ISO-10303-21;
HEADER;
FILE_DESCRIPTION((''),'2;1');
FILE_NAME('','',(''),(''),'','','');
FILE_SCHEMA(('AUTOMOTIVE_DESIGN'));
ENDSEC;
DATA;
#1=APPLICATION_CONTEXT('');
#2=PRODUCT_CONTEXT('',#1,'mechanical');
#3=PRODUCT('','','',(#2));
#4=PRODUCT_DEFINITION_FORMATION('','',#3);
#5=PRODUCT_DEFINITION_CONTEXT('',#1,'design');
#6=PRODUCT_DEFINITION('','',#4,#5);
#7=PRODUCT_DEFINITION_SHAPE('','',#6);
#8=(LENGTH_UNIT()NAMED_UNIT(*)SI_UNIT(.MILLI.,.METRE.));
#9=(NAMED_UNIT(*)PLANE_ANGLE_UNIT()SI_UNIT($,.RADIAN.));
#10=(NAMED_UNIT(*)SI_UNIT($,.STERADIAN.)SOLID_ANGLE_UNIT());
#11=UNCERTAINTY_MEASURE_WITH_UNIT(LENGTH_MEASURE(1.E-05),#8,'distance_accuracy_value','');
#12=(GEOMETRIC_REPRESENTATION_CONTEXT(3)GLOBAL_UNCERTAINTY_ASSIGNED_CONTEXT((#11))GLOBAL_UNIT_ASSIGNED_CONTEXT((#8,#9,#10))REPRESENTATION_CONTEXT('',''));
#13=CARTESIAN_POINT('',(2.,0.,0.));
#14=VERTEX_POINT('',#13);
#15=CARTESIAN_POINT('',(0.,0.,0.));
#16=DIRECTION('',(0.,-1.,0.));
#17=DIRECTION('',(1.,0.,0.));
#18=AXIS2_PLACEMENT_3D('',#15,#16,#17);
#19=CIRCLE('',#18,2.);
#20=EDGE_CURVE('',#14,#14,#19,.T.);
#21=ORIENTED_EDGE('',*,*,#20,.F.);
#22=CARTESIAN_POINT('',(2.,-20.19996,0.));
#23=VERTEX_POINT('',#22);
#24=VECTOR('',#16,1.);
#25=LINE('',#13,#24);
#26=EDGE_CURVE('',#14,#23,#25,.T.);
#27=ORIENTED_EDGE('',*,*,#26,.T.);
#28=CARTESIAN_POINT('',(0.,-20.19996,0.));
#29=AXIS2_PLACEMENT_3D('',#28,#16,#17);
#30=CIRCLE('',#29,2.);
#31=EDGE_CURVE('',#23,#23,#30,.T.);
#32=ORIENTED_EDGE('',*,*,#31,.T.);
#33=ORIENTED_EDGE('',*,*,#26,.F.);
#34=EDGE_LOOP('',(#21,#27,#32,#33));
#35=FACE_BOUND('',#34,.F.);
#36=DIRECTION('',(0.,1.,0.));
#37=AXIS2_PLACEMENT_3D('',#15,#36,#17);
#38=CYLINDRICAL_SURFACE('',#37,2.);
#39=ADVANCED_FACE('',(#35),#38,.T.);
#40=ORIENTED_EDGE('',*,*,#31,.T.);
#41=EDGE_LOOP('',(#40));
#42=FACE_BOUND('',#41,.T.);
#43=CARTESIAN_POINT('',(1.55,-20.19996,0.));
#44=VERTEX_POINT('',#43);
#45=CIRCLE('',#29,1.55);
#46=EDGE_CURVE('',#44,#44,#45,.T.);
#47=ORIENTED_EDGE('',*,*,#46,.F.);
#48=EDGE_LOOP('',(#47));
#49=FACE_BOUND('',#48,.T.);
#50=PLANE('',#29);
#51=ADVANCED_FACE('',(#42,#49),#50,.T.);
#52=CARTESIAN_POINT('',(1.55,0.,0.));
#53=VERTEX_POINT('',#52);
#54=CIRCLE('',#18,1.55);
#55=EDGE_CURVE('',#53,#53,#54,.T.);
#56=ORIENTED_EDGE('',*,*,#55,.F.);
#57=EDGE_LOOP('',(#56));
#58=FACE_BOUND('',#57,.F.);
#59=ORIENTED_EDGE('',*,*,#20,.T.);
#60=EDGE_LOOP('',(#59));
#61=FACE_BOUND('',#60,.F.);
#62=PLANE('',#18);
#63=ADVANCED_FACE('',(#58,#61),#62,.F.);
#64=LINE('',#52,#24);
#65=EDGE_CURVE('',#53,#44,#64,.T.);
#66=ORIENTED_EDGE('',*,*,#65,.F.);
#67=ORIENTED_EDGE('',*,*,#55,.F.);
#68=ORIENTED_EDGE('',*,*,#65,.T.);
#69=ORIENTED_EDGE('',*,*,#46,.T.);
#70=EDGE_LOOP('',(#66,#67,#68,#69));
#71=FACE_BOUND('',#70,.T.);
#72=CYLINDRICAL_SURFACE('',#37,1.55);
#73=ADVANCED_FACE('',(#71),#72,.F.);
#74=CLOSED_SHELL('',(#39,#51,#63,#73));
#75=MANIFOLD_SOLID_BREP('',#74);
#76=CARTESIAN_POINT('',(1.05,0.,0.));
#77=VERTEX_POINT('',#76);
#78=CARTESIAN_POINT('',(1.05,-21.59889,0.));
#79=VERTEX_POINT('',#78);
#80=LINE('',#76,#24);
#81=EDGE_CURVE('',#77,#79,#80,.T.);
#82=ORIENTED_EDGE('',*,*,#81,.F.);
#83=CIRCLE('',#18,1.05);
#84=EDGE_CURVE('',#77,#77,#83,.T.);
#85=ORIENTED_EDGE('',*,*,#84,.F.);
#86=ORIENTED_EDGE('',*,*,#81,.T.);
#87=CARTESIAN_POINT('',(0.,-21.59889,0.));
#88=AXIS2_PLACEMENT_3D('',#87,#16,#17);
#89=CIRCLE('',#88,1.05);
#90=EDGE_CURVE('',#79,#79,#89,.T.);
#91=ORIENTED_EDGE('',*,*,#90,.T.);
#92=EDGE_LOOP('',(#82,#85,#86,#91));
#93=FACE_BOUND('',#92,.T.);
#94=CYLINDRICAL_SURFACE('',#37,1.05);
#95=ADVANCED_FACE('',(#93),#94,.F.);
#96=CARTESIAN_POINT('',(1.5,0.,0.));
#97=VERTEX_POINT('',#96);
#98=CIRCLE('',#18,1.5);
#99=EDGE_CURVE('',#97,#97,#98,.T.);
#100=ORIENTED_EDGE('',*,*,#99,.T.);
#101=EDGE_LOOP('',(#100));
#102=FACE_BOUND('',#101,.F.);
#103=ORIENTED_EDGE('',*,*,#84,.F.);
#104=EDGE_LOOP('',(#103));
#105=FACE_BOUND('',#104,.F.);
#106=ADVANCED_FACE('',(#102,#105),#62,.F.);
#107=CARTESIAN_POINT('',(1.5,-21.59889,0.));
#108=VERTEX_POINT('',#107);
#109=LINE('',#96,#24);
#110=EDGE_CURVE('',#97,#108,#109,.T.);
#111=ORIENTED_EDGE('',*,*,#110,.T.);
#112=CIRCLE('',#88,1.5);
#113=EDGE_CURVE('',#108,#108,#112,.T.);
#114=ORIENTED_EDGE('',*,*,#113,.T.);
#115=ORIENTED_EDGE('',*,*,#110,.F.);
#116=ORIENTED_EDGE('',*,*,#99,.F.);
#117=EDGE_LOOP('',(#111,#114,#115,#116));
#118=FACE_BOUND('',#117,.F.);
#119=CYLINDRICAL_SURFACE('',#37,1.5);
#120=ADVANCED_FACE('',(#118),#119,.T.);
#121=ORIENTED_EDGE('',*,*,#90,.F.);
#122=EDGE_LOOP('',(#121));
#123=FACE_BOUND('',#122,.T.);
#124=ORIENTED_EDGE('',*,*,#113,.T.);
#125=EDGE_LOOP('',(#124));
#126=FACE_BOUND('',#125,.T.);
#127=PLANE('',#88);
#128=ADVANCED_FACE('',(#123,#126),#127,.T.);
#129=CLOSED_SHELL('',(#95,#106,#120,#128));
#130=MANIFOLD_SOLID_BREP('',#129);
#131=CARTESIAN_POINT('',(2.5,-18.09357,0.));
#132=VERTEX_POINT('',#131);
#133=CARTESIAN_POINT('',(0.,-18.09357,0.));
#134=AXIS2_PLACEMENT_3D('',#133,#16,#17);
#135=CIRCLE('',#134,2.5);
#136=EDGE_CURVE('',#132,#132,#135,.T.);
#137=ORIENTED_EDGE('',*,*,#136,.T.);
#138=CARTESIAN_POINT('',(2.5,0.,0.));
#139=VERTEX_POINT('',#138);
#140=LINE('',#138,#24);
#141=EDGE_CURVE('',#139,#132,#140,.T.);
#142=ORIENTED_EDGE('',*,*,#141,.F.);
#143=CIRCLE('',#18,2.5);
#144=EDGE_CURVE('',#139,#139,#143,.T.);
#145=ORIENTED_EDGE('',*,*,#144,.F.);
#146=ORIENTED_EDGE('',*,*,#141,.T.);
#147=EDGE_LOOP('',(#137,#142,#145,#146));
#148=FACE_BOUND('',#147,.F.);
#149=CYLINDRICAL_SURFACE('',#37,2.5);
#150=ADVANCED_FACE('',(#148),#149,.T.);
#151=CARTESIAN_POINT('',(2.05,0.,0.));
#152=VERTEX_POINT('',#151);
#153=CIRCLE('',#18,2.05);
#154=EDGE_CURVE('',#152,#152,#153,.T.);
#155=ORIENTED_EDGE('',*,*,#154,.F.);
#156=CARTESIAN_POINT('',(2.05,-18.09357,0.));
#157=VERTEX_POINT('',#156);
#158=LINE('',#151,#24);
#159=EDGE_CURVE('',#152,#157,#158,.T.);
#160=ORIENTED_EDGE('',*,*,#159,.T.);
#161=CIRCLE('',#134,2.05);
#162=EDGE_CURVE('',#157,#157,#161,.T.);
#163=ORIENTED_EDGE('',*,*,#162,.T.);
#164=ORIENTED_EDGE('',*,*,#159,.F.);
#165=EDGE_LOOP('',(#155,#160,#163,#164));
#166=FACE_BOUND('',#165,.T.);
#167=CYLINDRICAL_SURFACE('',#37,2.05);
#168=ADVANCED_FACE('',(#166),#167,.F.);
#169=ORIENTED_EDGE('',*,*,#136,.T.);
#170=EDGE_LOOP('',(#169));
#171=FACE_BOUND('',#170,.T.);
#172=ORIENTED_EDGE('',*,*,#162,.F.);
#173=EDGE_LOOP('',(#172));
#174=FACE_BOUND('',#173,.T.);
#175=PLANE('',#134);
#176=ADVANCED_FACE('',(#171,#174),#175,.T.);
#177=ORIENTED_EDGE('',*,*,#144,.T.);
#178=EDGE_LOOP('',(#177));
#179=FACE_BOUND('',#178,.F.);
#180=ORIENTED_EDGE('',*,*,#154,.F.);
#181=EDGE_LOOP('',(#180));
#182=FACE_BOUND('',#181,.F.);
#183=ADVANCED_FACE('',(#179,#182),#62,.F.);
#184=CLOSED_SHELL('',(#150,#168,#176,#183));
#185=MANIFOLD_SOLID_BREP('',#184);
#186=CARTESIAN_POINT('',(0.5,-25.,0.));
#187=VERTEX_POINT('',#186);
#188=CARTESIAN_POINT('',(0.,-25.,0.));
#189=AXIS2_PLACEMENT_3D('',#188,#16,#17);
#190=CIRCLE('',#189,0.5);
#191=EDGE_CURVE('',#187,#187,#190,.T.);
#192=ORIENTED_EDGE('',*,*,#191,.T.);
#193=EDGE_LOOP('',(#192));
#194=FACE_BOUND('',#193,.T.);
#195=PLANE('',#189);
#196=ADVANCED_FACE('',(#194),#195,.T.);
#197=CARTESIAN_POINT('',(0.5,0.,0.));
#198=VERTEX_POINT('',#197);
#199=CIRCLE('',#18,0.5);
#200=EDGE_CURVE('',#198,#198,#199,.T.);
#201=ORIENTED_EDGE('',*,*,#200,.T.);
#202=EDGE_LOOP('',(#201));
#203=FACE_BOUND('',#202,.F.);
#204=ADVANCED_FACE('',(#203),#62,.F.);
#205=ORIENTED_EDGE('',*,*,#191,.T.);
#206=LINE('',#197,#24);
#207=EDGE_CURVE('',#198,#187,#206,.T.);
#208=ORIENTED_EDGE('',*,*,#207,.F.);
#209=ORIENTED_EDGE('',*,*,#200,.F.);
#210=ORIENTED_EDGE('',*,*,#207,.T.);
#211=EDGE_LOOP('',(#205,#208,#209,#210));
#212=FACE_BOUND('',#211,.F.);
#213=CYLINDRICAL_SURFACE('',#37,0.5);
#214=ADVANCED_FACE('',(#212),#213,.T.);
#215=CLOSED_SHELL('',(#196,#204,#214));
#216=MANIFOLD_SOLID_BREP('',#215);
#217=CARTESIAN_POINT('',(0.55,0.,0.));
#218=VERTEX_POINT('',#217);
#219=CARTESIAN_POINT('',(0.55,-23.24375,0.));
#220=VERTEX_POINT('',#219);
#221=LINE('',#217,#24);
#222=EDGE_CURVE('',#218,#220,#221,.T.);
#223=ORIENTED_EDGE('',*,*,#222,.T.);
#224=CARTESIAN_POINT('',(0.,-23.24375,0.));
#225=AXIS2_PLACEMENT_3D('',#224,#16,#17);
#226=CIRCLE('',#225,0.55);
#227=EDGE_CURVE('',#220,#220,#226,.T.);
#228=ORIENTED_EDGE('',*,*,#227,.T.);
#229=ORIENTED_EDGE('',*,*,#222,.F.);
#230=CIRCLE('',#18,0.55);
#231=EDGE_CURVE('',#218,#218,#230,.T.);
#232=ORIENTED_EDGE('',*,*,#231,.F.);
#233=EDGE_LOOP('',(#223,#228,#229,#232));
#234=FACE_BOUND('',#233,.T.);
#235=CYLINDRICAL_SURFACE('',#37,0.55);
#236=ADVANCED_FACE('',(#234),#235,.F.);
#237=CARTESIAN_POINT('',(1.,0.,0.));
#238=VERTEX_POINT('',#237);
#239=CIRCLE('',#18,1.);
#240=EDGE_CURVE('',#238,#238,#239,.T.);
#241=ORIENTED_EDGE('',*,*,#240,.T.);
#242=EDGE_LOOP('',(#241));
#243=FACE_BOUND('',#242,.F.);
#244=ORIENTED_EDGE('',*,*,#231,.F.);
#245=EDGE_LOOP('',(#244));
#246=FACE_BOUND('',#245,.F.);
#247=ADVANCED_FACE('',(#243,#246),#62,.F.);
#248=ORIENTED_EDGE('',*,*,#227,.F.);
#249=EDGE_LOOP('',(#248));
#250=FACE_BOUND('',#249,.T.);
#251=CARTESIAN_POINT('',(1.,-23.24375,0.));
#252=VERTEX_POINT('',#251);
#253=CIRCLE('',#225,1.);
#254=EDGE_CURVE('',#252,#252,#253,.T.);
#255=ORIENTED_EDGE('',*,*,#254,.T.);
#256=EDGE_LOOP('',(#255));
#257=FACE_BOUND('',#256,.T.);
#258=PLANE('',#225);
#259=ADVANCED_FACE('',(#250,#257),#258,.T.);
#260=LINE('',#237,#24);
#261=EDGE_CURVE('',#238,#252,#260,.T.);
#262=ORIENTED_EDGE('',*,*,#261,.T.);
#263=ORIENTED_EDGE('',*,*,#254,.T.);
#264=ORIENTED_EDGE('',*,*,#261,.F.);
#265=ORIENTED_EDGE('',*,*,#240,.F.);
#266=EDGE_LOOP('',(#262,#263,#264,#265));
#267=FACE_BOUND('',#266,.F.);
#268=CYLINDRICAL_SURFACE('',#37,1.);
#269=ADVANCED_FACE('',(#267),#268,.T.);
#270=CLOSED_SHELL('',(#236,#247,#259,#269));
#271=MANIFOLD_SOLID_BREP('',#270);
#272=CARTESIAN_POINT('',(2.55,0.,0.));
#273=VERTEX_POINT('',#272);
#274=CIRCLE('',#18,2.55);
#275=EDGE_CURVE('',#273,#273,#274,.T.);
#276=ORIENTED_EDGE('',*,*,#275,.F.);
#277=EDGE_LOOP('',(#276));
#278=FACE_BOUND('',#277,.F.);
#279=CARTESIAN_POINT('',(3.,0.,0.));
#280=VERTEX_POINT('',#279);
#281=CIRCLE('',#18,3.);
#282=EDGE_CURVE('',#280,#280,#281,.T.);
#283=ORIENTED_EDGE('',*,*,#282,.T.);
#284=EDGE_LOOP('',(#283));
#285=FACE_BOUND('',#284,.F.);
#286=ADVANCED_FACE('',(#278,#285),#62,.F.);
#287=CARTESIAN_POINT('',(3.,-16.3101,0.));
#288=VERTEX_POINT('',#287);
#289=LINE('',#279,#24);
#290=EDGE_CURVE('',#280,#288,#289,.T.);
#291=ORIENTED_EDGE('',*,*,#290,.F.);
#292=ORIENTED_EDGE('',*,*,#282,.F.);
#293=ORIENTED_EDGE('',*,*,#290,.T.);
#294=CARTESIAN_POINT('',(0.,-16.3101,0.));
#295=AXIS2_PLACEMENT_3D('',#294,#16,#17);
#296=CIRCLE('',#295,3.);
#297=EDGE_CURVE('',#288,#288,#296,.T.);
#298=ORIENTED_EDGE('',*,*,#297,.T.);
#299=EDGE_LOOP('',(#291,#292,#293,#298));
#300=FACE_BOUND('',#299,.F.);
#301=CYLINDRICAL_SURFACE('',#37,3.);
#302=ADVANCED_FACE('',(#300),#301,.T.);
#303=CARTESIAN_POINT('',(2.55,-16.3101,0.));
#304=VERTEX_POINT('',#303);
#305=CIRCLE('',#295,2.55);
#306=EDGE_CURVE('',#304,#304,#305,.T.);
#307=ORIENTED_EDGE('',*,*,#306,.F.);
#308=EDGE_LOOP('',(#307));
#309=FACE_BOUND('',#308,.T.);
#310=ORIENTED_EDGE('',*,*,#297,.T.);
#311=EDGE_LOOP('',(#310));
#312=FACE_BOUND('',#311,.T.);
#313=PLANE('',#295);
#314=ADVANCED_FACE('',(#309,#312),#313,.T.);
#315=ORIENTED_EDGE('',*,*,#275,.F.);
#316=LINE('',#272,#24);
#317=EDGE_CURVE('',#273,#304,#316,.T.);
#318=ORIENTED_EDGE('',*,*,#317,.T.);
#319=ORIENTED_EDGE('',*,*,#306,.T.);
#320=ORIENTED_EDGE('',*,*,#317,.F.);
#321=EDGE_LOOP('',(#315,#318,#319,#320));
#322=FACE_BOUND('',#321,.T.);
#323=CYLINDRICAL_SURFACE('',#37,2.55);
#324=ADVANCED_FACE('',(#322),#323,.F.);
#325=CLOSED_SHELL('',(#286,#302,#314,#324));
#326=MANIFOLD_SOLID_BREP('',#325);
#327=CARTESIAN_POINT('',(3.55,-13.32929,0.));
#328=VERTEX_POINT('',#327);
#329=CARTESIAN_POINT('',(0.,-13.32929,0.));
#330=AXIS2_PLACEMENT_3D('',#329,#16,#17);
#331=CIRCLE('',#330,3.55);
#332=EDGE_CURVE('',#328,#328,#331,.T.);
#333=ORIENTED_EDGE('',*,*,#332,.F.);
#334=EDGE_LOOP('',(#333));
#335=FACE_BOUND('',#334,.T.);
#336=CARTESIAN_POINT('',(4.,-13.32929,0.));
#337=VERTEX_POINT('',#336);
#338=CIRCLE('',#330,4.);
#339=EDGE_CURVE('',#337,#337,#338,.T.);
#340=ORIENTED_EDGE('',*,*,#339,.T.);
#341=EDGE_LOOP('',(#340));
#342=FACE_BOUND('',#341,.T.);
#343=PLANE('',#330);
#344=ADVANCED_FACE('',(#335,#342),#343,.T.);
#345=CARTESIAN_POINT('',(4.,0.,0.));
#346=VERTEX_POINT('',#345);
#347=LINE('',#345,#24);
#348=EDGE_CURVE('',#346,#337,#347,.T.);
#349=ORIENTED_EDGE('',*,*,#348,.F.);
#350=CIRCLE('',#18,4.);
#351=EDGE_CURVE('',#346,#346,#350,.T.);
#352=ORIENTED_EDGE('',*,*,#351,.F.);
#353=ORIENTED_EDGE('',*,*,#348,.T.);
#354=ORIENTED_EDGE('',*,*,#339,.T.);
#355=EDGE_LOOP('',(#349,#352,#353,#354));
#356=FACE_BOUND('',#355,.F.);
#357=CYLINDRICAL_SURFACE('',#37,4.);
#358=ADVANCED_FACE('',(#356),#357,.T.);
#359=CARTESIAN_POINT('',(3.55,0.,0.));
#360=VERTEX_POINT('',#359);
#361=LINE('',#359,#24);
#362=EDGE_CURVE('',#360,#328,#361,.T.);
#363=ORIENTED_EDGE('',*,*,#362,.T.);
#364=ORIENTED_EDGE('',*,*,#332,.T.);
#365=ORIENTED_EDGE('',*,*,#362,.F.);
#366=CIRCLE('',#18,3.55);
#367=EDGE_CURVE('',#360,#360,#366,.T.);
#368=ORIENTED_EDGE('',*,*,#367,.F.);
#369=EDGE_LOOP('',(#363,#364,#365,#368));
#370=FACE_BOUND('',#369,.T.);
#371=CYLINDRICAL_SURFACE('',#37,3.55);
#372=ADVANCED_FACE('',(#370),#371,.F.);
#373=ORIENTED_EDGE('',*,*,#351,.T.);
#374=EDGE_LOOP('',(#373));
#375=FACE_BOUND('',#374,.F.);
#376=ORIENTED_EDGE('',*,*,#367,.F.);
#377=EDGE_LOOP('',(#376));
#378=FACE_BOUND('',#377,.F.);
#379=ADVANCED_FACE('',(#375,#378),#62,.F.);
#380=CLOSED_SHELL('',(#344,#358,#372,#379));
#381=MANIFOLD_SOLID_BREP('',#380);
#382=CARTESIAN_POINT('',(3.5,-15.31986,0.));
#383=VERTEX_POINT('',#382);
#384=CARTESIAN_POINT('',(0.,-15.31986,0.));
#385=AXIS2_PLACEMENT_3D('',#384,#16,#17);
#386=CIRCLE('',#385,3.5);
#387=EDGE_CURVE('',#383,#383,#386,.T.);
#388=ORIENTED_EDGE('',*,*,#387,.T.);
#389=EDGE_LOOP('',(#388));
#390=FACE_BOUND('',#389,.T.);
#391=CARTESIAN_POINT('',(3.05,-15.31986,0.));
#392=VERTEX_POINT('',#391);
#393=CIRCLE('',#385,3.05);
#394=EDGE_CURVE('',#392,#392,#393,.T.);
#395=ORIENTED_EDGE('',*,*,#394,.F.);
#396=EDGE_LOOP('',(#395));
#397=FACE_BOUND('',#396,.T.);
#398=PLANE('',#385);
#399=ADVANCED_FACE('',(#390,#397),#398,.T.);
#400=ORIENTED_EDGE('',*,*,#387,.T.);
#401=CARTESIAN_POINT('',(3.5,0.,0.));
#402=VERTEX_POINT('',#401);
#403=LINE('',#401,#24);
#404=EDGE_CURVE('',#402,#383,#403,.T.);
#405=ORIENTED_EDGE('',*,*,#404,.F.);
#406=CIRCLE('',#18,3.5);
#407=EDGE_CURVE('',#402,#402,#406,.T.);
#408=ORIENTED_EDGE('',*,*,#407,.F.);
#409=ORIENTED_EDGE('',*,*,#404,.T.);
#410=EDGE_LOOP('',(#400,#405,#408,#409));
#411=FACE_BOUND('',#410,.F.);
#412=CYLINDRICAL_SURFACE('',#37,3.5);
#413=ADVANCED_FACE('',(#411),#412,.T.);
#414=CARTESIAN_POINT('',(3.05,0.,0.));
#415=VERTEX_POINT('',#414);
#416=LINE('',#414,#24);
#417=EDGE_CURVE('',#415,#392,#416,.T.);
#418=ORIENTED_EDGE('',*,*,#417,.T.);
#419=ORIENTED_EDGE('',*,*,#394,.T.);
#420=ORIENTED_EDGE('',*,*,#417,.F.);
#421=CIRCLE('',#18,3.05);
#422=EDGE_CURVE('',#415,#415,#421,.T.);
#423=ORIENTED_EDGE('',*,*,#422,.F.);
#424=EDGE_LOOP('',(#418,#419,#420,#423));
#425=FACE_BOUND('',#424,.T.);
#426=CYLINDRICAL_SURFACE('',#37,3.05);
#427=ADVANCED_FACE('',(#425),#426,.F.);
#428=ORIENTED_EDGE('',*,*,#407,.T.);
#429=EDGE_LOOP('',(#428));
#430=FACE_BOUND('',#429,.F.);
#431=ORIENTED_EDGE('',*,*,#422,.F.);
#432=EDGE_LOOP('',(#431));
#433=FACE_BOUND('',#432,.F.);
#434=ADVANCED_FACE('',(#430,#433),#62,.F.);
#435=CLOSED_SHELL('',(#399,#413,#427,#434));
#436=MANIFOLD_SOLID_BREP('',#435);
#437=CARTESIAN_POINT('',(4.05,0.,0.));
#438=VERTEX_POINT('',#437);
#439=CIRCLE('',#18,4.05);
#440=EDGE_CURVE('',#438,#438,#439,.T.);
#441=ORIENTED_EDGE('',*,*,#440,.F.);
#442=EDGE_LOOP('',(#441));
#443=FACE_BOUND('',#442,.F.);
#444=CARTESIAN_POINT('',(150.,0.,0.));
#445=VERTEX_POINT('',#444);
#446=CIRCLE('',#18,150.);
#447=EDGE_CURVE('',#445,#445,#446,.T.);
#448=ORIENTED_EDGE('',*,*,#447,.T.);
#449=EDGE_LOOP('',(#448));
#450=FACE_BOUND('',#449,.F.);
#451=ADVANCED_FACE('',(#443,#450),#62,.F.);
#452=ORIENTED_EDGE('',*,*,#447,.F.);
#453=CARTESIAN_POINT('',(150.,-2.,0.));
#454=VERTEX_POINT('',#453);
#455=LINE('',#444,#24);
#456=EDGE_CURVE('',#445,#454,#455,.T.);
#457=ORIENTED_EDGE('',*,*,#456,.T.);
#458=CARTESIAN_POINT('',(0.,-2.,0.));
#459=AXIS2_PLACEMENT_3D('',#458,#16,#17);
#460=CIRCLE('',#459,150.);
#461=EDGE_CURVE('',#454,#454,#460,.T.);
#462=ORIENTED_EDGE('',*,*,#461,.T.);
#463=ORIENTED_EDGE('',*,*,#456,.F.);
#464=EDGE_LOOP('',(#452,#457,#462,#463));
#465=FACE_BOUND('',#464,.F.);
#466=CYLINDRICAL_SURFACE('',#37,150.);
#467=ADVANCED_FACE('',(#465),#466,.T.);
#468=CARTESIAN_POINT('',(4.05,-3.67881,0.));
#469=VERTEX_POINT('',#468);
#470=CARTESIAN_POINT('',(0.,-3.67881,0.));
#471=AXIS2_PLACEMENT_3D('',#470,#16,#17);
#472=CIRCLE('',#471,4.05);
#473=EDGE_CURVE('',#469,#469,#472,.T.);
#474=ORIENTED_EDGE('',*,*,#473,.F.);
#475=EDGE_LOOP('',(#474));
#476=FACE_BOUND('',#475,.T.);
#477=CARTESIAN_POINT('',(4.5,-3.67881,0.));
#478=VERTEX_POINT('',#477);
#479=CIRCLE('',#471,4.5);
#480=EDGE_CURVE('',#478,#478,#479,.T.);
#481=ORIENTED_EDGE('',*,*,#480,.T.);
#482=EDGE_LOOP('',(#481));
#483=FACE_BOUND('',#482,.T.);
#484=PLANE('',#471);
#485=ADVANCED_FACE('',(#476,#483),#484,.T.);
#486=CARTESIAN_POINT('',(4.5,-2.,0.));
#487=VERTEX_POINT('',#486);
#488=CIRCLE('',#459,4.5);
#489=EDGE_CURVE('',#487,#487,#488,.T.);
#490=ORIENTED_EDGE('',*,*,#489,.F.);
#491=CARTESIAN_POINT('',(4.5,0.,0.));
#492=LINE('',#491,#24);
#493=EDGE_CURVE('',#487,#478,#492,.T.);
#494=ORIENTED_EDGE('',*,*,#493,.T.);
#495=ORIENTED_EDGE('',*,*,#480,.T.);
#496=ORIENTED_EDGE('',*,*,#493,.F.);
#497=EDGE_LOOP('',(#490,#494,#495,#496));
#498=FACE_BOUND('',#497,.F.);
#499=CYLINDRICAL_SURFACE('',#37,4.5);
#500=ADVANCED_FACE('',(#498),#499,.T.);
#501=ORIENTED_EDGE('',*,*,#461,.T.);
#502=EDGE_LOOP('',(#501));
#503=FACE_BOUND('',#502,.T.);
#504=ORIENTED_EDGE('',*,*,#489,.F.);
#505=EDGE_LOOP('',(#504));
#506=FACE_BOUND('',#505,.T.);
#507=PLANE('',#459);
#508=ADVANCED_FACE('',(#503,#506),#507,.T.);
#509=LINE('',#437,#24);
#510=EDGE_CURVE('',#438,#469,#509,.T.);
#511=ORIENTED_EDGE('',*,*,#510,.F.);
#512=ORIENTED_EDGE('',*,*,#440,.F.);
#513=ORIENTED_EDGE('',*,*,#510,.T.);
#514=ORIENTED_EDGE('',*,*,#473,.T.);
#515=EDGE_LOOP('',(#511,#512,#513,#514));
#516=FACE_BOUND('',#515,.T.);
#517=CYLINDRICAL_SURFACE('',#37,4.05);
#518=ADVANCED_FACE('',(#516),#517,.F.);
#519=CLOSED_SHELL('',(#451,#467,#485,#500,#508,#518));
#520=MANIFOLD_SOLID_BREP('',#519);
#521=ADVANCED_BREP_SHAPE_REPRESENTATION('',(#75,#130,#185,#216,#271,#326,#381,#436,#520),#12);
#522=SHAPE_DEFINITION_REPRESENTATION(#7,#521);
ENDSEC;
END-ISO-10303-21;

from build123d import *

# Parameters (mm, degrees)
F0_R      = 0.5
F2_DEPTH  = 25
F0_R_2    = 1
F0_R_3    = 0.55
F3_DEPTH  = 23.24375
F0_R_4    = 1.5
F0_R_5    = 1.05
F4_DEPTH  = 21.59889
F0_R_6    = 2
F0_R_7    = 1.55
F5_DEPTH  = 20.19996
F0_R_8    = 2.5
F0_R_9    = 2.05
F6_DEPTH  = 18.09357
F0_R_10   = 3
F0_R_11   = 2.55
F7_DEPTH  = 16.3101
F0_R_12   = 3.5
F0_R_13   = 3.05
F8_DEPTH  = 15.31986
F0_R_14   = 4
F0_R_15   = 3.55
F9_DEPTH  = 13.32929
F0_R_16   = 4.5
F0_R_17   = 4.05
F10_DEPTH = 3.67881
F1_R      = 150
F1_R_2    = 4.5
F11_DEPTH = 2


with BuildPart() as f2:
    # F0 (on Front) → F2 (new body)
    with BuildSketch(Plane.XZ):
        Circle(F0_R)
    extrude(amount=F2_DEPTH)


with BuildPart() as f3:
    # F0 (on Front) → F3 (new body)
    with BuildSketch(Plane.XZ):
        Circle(F0_R_2)
        Circle(F0_R_3, mode=Mode.SUBTRACT)
    extrude(amount=F3_DEPTH)


with BuildPart() as f4:
    # F0 (on Front) → F4 (new body)
    with BuildSketch(Plane.XZ):
        Circle(F0_R_4)
        Circle(F0_R_5, mode=Mode.SUBTRACT)
    extrude(amount=F4_DEPTH)


with BuildPart() as f5:
    # F0 (on Front) → F5 (new body)
    with BuildSketch(Plane.XZ):
        Circle(F0_R_6)
        Circle(F0_R_7, mode=Mode.SUBTRACT)
    extrude(amount=F5_DEPTH)


with BuildPart() as f6:
    # F0 (on Front) → F6 (new body)
    with BuildSketch(Plane.XZ):
        Circle(F0_R_8)
        Circle(F0_R_9, mode=Mode.SUBTRACT)
    extrude(amount=F6_DEPTH)


with BuildPart() as f7:
    # F0 (on Front) → F7 (new body)
    with BuildSketch(Plane.XZ):
        Circle(F0_R_10)
        Circle(F0_R_11, mode=Mode.SUBTRACT)
    extrude(amount=F7_DEPTH)


with BuildPart() as f8:
    # F0 (on Front) → F8 (new body)
    with BuildSketch(Plane.XZ):
        Circle(F0_R_12)
        Circle(F0_R_13, mode=Mode.SUBTRACT)
    extrude(amount=F8_DEPTH)


with BuildPart() as f9:
    # F0 (on Front) → F9 (new body)
    with BuildSketch(Plane.XZ):
        Circle(F0_R_14)
        Circle(F0_R_15, mode=Mode.SUBTRACT)
    extrude(amount=F9_DEPTH)


with BuildPart() as f10:
    # F0 (on Front) → F10 (new body)
    with BuildSketch(Plane.XZ):
        Circle(F0_R_16)
        Circle(F0_R_17, mode=Mode.SUBTRACT)
    extrude(amount=F10_DEPTH)

    # F1 (on Front) → F11 (join)
    with BuildSketch(Plane.XZ):
        Circle(F1_R)
        Circle(F1_R_2, mode=Mode.SUBTRACT)
    extrude(amount=F11_DEPTH)


solid = Compound([f2.part, f3.part, f4.part, f5.part, f6.part, f7.part, f8.part, f9.part, f10.part])
